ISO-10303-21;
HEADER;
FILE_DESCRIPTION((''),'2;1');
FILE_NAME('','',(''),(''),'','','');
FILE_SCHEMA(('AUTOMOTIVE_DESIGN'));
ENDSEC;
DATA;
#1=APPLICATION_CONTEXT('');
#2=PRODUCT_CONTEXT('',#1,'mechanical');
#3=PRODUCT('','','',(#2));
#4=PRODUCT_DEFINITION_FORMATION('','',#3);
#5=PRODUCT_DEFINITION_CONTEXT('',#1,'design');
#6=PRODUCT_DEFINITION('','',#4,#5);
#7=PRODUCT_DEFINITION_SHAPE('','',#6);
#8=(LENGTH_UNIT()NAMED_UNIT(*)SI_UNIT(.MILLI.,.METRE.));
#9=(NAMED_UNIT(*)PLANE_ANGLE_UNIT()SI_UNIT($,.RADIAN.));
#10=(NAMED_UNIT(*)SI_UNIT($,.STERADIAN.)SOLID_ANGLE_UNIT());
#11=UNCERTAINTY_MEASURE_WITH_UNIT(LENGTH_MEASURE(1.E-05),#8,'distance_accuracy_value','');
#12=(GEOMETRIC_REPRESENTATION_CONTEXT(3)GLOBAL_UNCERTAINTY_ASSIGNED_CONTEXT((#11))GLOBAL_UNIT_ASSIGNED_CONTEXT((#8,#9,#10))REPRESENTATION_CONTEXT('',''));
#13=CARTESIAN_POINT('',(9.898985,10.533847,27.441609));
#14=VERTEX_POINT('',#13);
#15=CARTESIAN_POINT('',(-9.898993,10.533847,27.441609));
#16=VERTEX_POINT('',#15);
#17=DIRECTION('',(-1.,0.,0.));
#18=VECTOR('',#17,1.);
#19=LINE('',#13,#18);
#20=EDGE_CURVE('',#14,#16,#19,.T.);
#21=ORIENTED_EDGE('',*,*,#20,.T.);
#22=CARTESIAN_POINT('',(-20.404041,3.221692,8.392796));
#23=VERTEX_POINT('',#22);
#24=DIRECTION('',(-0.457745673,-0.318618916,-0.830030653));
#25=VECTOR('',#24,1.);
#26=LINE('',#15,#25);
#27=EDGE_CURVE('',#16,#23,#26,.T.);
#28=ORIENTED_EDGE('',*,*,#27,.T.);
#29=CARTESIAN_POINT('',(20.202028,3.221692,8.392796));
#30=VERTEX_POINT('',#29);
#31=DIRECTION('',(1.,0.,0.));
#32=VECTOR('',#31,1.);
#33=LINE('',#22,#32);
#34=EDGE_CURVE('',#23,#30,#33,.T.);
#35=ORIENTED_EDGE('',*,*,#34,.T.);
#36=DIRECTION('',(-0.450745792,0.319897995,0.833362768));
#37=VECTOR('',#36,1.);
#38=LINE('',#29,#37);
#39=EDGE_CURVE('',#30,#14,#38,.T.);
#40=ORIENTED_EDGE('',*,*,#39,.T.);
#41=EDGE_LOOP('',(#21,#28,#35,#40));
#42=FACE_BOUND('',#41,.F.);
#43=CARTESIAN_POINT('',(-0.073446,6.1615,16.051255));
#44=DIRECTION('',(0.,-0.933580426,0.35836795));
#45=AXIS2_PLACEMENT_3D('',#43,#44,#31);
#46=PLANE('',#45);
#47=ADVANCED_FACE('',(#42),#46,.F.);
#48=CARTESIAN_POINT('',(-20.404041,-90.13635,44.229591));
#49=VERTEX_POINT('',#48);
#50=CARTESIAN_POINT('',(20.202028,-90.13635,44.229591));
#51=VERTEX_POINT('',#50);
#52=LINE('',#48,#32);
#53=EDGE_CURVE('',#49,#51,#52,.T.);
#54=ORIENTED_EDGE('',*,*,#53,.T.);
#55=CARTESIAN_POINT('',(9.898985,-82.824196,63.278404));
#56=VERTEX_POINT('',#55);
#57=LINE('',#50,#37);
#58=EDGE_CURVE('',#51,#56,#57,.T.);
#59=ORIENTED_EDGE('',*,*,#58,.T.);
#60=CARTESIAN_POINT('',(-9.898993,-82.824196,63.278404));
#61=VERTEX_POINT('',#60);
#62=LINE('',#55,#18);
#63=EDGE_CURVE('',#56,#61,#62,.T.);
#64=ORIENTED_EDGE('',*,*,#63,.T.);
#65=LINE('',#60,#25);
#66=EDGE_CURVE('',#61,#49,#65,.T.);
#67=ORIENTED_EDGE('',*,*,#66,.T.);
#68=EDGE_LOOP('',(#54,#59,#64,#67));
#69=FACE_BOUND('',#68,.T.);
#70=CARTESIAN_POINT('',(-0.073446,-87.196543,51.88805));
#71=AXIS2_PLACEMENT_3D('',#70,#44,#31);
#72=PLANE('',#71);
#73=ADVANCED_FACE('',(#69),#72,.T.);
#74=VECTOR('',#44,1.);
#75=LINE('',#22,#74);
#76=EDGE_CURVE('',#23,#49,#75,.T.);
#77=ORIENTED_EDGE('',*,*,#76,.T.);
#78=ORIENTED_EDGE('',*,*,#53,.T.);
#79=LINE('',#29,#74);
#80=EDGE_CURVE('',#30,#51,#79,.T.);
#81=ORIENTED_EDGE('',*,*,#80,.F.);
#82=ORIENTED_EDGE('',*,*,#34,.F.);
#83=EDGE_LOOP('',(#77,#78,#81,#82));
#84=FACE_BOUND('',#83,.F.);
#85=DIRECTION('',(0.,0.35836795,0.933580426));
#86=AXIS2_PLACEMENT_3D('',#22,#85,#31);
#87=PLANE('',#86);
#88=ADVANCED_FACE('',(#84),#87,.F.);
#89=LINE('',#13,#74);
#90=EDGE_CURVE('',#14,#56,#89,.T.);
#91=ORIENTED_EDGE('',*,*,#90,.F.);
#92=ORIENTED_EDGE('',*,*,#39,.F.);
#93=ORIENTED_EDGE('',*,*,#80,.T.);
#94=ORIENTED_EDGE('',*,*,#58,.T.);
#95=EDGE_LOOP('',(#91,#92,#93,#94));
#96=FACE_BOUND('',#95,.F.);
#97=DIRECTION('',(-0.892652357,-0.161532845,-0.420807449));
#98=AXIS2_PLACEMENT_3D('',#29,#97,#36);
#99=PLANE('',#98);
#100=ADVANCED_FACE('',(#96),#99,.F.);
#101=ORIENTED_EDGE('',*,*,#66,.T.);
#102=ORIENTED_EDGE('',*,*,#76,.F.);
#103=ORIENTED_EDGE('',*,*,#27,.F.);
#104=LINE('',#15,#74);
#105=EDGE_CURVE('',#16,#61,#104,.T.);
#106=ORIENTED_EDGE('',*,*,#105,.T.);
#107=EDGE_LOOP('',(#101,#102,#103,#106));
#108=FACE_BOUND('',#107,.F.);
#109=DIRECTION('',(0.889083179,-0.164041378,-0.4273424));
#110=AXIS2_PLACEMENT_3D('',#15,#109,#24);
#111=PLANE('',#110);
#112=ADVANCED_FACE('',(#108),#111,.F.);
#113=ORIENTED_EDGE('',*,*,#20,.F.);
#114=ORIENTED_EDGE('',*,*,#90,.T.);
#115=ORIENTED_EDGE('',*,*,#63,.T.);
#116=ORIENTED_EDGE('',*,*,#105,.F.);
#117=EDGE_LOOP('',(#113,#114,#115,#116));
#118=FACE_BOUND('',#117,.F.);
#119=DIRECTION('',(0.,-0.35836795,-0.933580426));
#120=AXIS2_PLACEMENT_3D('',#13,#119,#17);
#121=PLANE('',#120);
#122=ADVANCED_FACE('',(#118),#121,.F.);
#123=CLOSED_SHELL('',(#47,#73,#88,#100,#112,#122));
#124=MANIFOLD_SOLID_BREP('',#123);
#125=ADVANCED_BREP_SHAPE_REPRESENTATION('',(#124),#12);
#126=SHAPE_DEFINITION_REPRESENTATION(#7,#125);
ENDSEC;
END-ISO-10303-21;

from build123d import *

# Parameters (mm, degrees)
PAD_DEPTH            = 100
BODY_PLACEMENT_ANGLE = 69


with BuildPart() as part:
    # Sketch → Pad (new body)
    with BuildSketch(Plane.XY):
        Polygon((-9.898993, 29.393942), (-20.404041, 8.989901), (20.202028, 8.989901), (9.898985, 29.393942), align=None)
    extrude(amount=PAD_DEPTH)


with BuildPart() as part_1:
    # Body placement: moved
    add(part.part.rotate(Axis((0, 0, 0), (1, 0, 0)), BODY_PLACEMENT_ANGLE))


solid = part_1.part
